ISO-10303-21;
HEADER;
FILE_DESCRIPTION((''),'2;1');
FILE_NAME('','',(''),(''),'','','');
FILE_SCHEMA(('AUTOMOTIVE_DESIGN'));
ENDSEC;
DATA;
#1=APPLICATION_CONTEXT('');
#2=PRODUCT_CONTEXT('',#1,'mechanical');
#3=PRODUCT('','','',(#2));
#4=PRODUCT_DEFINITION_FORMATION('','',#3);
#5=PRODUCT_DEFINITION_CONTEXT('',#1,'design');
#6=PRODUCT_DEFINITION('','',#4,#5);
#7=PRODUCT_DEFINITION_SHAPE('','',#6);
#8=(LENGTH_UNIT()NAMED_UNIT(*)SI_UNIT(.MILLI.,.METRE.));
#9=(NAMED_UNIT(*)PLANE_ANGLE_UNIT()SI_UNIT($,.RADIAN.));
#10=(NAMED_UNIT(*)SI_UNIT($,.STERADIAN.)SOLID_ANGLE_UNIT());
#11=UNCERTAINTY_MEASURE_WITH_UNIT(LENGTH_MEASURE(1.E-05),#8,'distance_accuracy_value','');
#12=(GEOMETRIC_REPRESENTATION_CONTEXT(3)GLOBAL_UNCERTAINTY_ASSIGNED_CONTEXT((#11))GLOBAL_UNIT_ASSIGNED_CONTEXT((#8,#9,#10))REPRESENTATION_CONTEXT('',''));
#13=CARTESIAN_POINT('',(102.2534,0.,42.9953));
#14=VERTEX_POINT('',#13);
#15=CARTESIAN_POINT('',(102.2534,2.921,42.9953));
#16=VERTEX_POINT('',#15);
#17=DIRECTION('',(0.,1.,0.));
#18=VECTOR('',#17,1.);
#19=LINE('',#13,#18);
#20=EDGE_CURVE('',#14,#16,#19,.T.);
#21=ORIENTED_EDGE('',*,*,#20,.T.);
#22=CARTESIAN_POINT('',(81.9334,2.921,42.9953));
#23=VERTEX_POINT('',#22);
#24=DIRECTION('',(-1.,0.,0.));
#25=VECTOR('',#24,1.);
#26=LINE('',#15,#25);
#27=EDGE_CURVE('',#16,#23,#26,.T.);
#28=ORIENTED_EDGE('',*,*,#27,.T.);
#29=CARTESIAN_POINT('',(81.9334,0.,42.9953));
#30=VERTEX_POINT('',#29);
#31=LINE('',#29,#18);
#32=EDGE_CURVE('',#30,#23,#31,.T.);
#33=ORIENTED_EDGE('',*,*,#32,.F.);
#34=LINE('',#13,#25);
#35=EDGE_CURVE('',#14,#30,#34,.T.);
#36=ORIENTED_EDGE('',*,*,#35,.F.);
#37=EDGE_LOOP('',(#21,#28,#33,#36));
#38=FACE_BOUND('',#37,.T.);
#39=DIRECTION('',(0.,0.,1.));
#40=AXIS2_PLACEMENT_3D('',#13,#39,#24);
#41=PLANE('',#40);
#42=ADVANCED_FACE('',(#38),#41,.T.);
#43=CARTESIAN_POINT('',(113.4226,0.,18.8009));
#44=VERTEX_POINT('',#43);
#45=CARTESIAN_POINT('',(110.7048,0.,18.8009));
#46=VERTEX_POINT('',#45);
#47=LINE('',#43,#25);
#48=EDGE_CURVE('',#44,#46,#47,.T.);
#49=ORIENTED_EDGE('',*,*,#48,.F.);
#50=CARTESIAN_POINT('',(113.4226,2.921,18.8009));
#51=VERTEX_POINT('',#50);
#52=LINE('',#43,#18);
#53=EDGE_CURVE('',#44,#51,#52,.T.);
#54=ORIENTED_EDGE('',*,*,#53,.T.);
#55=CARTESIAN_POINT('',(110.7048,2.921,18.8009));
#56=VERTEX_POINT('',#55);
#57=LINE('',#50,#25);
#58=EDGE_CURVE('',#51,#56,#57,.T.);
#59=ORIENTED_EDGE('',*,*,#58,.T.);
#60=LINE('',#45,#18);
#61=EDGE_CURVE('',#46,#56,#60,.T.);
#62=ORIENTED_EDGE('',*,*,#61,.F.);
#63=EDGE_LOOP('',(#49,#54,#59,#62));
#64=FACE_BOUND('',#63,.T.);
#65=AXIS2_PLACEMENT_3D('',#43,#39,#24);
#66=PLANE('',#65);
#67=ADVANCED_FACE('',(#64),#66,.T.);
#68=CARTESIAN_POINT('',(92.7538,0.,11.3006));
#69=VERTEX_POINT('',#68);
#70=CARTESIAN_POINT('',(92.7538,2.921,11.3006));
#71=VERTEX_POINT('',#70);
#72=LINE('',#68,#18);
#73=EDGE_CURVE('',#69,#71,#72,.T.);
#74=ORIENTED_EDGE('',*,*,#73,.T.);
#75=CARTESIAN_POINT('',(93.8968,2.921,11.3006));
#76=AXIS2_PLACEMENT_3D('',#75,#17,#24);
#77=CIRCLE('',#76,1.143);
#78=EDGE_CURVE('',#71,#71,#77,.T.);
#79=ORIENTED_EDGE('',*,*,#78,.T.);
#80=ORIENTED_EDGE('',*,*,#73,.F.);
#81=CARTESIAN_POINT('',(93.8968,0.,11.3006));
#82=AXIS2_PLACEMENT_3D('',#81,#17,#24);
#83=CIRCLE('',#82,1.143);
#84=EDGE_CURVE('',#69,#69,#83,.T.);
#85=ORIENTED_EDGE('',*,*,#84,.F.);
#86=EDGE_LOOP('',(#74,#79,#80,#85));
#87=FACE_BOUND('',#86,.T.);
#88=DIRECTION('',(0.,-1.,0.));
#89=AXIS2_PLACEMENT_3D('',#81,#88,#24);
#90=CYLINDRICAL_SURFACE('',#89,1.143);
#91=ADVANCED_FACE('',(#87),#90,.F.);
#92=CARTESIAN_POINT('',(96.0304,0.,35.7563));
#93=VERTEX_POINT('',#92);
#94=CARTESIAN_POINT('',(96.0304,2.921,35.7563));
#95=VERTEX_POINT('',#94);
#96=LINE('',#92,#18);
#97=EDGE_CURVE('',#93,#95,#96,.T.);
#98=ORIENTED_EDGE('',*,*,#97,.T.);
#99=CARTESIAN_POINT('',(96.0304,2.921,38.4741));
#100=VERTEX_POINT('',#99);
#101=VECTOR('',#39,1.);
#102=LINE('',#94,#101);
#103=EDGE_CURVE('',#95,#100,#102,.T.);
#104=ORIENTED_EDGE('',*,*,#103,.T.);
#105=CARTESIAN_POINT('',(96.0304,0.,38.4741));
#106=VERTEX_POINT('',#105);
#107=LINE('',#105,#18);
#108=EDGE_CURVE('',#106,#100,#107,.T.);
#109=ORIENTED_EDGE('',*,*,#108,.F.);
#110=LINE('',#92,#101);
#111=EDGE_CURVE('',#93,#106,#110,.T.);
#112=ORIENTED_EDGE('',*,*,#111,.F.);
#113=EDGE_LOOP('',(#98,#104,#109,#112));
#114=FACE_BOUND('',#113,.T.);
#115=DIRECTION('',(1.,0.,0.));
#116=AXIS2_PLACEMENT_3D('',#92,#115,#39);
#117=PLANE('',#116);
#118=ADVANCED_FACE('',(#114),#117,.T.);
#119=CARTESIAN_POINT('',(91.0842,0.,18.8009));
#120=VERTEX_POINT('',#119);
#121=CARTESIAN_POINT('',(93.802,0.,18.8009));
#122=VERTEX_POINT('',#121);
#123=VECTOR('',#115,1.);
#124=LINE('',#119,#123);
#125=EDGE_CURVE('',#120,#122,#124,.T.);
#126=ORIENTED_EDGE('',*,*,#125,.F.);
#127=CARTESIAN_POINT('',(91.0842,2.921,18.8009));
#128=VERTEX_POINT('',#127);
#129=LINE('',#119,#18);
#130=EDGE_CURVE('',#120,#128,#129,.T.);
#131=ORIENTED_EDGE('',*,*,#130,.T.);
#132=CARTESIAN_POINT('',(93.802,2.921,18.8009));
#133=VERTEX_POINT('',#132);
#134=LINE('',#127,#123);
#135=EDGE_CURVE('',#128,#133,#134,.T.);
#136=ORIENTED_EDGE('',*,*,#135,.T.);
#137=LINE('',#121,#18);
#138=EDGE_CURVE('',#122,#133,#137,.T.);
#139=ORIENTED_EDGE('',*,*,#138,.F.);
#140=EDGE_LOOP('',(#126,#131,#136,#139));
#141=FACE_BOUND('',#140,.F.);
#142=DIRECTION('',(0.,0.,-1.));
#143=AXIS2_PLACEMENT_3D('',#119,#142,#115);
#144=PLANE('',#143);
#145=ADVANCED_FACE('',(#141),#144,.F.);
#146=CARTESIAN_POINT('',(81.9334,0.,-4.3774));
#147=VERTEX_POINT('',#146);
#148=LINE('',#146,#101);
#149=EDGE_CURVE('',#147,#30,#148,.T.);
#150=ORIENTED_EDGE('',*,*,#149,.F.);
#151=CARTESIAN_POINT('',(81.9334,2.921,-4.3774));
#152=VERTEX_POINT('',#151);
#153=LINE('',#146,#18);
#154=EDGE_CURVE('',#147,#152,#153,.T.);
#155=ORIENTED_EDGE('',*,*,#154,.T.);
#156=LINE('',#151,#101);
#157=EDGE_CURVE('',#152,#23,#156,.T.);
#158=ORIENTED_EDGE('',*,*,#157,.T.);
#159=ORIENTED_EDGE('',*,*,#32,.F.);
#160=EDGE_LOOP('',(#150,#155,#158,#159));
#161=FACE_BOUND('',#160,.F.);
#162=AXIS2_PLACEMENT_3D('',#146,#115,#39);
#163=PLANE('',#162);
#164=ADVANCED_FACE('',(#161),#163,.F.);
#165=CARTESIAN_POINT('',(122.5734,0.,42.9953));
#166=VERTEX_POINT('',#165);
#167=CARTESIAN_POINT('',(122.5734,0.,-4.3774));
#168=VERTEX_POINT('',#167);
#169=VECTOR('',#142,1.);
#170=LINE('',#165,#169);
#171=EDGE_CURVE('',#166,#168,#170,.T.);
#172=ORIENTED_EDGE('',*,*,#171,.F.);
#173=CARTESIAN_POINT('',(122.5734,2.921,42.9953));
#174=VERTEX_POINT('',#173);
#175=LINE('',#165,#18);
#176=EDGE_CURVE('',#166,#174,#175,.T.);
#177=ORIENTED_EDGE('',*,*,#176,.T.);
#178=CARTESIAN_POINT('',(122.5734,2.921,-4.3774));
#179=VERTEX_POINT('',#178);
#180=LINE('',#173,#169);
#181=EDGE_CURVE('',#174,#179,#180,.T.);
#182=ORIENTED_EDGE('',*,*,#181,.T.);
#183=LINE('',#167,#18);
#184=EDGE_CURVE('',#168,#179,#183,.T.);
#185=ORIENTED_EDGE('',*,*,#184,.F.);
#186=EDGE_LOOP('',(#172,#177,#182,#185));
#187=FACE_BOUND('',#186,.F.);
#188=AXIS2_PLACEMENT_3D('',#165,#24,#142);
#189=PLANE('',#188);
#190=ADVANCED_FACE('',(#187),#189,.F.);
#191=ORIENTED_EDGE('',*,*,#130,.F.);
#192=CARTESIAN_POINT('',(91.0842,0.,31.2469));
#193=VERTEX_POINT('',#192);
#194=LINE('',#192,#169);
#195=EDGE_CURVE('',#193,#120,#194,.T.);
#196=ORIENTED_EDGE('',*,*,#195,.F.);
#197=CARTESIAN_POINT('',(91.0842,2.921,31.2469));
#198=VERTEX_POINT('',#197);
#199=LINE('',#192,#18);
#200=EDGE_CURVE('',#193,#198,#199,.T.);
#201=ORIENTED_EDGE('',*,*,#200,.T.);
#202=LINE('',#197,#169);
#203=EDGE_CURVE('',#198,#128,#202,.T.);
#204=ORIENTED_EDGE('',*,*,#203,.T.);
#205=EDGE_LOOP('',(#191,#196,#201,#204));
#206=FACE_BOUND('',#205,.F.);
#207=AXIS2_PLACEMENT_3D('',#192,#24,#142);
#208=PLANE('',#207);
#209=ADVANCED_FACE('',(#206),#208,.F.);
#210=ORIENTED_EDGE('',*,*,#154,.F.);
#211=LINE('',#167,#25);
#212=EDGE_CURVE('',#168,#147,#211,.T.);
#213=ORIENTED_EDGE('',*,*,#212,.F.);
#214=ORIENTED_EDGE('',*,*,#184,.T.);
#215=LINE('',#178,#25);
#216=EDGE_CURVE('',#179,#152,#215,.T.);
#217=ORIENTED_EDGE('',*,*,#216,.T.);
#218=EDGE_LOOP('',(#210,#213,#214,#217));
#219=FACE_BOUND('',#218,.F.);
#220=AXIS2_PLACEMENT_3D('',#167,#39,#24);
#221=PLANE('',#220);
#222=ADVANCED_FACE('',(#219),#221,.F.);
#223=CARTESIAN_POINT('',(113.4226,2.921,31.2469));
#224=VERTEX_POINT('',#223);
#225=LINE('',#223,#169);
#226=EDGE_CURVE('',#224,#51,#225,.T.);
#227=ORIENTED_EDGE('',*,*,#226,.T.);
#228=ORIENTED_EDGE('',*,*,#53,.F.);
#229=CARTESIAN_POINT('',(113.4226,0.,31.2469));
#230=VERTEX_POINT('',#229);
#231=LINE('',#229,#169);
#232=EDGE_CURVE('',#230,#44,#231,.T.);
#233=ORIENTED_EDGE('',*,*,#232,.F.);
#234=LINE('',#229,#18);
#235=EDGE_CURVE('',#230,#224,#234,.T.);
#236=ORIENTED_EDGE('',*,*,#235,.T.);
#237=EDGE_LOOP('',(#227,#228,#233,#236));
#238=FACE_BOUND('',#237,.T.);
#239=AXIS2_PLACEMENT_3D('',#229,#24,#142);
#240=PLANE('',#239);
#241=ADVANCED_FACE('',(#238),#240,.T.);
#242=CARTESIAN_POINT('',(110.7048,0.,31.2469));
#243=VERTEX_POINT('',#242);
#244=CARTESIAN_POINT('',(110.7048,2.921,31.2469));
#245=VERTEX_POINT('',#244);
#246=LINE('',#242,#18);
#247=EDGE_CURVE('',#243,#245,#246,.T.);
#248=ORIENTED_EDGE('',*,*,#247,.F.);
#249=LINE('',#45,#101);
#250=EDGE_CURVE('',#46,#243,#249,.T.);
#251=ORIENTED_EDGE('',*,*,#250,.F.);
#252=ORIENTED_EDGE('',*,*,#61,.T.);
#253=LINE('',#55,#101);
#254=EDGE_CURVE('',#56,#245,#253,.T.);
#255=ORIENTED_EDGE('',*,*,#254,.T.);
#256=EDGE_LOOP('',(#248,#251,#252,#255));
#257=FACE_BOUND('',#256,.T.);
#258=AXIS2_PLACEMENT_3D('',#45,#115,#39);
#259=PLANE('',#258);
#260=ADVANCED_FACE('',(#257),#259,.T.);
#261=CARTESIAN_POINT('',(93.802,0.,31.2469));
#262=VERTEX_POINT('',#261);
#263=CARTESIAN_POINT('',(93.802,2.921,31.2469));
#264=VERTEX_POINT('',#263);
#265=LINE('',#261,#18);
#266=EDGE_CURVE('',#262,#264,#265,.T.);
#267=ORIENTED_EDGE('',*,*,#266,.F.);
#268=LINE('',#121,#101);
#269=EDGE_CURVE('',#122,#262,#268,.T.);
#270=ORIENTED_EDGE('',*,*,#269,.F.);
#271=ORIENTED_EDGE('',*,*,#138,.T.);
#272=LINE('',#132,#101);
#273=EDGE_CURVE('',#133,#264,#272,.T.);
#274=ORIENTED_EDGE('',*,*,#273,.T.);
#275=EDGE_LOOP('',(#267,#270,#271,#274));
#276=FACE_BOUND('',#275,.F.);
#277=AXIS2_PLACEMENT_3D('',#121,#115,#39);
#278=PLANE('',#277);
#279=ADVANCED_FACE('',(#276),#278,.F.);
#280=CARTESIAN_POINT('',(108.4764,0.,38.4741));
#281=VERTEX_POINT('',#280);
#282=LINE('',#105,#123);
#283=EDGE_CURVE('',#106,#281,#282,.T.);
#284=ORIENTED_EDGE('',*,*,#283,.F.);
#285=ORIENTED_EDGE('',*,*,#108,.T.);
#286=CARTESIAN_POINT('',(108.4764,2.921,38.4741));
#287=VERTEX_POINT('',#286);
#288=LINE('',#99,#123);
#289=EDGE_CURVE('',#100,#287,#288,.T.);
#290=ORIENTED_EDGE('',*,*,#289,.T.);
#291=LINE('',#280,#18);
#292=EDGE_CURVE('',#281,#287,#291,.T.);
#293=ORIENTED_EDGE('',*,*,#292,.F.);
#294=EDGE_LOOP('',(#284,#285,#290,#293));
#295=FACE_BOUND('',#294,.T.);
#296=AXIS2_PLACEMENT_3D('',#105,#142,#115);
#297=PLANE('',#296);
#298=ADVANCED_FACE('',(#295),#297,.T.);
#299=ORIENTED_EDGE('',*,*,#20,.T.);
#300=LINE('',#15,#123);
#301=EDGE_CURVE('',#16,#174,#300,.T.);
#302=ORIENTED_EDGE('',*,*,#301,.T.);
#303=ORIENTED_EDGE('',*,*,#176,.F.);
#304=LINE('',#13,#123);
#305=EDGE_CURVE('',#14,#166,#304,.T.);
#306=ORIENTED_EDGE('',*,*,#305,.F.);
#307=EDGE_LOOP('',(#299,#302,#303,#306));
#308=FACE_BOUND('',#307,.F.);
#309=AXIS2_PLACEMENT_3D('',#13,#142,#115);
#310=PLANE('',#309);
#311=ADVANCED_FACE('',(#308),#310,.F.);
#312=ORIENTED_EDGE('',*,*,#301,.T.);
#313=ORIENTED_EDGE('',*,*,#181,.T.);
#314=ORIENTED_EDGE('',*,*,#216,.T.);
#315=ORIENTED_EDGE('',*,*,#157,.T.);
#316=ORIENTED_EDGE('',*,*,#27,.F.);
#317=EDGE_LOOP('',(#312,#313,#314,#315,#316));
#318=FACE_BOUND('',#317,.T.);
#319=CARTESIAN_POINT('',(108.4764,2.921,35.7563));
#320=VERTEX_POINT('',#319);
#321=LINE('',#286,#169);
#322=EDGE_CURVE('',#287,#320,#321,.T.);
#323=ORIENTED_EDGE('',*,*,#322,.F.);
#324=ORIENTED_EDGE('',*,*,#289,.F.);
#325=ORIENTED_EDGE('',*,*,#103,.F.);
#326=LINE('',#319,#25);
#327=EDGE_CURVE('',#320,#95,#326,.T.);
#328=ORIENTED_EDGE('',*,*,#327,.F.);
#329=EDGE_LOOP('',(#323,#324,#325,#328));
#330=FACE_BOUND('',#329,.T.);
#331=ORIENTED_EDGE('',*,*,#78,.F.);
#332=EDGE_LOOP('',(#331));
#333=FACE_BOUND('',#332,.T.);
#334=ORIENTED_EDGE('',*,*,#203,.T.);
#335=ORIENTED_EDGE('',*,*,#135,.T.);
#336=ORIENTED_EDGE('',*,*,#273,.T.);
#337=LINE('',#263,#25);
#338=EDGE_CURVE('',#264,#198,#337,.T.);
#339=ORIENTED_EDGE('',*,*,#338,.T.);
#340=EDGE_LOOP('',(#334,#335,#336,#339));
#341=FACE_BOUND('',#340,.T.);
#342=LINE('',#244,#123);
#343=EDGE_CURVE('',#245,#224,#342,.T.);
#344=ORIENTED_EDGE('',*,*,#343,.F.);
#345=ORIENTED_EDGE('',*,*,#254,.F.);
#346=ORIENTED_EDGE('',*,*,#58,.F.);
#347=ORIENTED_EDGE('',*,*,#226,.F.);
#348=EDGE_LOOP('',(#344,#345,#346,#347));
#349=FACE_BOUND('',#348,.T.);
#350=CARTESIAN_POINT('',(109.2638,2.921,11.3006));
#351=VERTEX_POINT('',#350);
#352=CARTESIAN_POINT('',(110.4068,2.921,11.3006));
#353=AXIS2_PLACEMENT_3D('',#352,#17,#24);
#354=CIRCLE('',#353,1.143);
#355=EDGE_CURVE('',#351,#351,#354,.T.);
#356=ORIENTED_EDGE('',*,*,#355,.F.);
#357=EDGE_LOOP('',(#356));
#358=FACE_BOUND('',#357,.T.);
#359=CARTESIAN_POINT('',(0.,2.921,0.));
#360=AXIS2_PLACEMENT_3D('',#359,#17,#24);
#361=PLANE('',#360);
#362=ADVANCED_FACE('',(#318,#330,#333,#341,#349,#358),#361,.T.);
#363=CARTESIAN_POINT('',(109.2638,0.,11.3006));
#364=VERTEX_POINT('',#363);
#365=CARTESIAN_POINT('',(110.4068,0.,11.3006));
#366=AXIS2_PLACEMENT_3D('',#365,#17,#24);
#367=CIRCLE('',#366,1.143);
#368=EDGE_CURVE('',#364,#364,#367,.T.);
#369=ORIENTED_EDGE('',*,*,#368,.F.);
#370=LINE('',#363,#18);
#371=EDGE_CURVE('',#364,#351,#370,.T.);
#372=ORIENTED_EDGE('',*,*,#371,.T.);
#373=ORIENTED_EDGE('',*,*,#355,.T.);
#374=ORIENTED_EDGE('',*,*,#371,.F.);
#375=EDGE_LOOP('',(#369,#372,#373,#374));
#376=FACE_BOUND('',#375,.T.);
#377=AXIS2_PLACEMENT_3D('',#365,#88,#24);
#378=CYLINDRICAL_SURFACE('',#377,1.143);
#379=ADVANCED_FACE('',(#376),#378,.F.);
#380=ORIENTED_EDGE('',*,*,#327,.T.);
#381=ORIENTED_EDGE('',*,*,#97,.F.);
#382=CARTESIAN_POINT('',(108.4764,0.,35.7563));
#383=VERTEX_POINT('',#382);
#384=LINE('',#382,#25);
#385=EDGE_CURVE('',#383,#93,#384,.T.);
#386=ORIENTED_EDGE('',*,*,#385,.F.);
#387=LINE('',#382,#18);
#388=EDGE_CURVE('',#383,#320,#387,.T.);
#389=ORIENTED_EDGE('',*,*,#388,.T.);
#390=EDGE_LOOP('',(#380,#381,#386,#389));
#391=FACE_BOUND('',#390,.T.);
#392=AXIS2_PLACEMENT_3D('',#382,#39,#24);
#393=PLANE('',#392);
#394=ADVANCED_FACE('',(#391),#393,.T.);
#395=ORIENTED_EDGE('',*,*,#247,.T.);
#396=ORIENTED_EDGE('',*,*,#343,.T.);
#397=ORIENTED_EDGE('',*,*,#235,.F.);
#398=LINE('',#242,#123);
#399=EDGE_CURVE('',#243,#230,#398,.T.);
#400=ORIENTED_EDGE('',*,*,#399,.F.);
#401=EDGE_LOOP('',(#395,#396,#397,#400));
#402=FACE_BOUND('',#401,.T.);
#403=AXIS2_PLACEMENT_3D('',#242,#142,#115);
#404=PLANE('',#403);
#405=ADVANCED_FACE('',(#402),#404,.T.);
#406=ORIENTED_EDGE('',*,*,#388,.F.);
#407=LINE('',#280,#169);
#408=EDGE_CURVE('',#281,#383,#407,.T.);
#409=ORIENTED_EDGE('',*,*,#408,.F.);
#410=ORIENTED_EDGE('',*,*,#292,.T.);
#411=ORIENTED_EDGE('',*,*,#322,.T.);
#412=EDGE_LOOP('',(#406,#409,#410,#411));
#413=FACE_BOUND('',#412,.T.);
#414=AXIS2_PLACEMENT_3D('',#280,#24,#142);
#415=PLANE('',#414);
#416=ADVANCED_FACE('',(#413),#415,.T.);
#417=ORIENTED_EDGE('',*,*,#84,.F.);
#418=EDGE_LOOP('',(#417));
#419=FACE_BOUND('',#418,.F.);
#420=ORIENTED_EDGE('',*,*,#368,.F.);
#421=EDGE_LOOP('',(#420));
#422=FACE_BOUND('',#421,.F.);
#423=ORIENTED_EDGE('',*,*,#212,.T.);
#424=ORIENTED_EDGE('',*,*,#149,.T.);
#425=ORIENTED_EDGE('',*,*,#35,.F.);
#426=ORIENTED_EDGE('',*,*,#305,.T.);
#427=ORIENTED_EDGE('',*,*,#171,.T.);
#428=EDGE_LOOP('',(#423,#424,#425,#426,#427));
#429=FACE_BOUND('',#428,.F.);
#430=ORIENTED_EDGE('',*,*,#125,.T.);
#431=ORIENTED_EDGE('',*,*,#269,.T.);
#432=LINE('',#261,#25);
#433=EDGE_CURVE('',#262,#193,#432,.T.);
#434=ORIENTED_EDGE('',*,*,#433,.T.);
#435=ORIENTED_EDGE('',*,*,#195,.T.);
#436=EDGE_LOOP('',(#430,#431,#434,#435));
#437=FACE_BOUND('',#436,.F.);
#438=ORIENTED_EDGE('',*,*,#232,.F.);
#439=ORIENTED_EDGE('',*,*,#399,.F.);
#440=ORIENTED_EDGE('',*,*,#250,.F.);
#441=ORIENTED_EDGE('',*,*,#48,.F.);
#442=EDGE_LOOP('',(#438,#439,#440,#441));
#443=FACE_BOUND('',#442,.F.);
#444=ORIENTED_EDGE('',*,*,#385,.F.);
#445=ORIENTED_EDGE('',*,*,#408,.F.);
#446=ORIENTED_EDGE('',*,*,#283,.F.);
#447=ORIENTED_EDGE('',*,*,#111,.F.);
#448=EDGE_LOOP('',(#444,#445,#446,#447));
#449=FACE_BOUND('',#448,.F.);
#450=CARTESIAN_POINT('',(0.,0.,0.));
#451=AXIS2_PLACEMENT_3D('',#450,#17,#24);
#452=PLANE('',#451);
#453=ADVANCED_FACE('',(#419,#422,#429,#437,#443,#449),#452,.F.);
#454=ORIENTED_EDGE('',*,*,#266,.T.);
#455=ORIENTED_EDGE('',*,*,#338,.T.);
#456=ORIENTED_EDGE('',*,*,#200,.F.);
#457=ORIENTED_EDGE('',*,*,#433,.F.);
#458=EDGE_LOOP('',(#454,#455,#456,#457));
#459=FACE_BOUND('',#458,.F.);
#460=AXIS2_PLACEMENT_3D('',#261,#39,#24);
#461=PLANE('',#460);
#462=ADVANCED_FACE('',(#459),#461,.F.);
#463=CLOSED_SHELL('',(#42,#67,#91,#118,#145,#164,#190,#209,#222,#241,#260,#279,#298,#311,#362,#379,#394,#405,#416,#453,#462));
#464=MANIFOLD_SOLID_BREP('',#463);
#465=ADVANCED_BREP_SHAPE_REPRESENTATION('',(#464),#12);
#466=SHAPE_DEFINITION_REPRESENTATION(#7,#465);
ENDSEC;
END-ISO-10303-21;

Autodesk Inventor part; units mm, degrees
ref_plane "YZ Plane" through (0, 0, 0) normal (1, 0, 0) x (0, 1, 0)
ref_plane "XZ Plane" through (0, 0, 0) normal (0, 1, 0) x (-1, 0, 0)
ref_plane "XY Plane" through (0, 0, 0) normal (0, 0, 1) x (1, 0, 0)
sketch "Sketch1" plane through (0, 0, 0) normal (0, 1, 0) x (-1, 0, 0)
  arc A0 (-110.5448, 1.666) -> (-110.4284, 1.6651) centre (-110.4068, 11.3006) ccw construction
  arc A1 (-94.0784, 1.6651) -> (-94.0348, 1.6644) centre (-93.8968, 11.3006) ccw construction
  circle A2 centre (-110.4068, 11.3006) radius 1.143
  circle A3 centre (-93.8968, 11.3006) radius 1.143
  line L0 (-108.2859, -8.1857) -> (-96.2209, -8.1857) construction
  line L1 (-102.2534, 42.9953) -> (-122.5734, 42.9953)
  line L2 (-102.2534, 42.9953) -> (-81.9334, 42.9953)
  line L3 (-122.5734, 42.9953) -> (-122.5734, -4.3774)
  line L4 (-122.5734, -4.3774) -> (-81.9334, -4.3774)
  line L5 (-81.9334, -4.3774) -> (-81.9334, 42.9953)
  line L6 (-89.5534, -4.3774) -> (-114.9534, -4.3774) construction
  line L7 (-96.0304, 38.4741) -> (-108.4764, 38.4741)
  line L8 (-108.4764, 38.4741) -> (-108.4764, 35.7563)
  line L9 (-108.4764, 35.7563) -> (-96.0304, 35.7563)
  line L10 (-96.0304, 35.7563) -> (-96.0304, 38.4741)
  line L11 (-113.4226, 18.8009) -> (-110.7048, 18.8009)
  line L12 (-110.7048, 18.8009) -> (-110.7048, 31.2469)
  line L13 (-110.7048, 31.2469) -> (-113.4226, 31.2469)
  line L14 (-113.4226, 31.2469) -> (-113.4226, 18.8009)
  line L15 (-91.0842, 18.8009) -> (-93.802, 18.8009)
  line L16 (-93.802, 18.8009) -> (-93.802, 31.2469)
  line L17 (-93.802, 31.2469) -> (-91.0842, 31.2469)
  line L18 (-91.0842, 31.2469) -> (-91.0842, 18.8009)
  arc A4 (-93.8968, 10.028) -> (-93.9768, 12.5706) centre (-93.8968, 11.3006) ccw construction
  arc A5 (-110.3268, 12.5706) -> (-110.4068, 10.028) centre (-110.4068, 11.3006) ccw construction
  line L19 (-109.7718, 18.8653) -> (-94.5318, 18.8653) construction
  line L20 (-91.008, 15.4989) -> (-91.008, 18.6739) construction
  line L21 (-92.4431, 31.2469) -> (-92.4431, 18.8009) construction
  line L22 (-91.0842, 25.0239) -> (-93.802, 25.0239) construction
  line L23 (-112.0637, 18.8009) -> (-112.0637, 31.2469) construction
  line L24 (-110.7048, 25.0239) -> (-113.4226, 25.0239) construction
  line L25 (-96.0304, 37.1152) -> (-108.4764, 37.1152) construction
  line L26 (-102.2534, 35.7563) -> (-102.2534, 38.4741) construction
  point P0 (0, 0)
  point P1 (-102.2534, 36.3575)
  dimension "d0" = 2.286
  dimension "d1" = 2.286
  dimension "d19" = 3.175
  dimension "d23" = 6.223
  dimension "d24" = 1.3589
  dimension "d25" = 6.223
  dimension "d26" = 1.3589
  dimension "d27" = 6.223
  dimension "d28" = 1.3589
extrude "Extrusion1" add sketch "Sketch1" along normal blind 2.921
ref_plane "Work Plane1" through (102.2534, 0, 38.4741) normal (-1, 0, 0) x (0, 0, 1)
sketch "Sketch2" plane through (0, 2.921, 0) normal (0, 1, 0) x (1, 0, 0)
  point P0 (0, 0)
properties part number "arm4_11"
